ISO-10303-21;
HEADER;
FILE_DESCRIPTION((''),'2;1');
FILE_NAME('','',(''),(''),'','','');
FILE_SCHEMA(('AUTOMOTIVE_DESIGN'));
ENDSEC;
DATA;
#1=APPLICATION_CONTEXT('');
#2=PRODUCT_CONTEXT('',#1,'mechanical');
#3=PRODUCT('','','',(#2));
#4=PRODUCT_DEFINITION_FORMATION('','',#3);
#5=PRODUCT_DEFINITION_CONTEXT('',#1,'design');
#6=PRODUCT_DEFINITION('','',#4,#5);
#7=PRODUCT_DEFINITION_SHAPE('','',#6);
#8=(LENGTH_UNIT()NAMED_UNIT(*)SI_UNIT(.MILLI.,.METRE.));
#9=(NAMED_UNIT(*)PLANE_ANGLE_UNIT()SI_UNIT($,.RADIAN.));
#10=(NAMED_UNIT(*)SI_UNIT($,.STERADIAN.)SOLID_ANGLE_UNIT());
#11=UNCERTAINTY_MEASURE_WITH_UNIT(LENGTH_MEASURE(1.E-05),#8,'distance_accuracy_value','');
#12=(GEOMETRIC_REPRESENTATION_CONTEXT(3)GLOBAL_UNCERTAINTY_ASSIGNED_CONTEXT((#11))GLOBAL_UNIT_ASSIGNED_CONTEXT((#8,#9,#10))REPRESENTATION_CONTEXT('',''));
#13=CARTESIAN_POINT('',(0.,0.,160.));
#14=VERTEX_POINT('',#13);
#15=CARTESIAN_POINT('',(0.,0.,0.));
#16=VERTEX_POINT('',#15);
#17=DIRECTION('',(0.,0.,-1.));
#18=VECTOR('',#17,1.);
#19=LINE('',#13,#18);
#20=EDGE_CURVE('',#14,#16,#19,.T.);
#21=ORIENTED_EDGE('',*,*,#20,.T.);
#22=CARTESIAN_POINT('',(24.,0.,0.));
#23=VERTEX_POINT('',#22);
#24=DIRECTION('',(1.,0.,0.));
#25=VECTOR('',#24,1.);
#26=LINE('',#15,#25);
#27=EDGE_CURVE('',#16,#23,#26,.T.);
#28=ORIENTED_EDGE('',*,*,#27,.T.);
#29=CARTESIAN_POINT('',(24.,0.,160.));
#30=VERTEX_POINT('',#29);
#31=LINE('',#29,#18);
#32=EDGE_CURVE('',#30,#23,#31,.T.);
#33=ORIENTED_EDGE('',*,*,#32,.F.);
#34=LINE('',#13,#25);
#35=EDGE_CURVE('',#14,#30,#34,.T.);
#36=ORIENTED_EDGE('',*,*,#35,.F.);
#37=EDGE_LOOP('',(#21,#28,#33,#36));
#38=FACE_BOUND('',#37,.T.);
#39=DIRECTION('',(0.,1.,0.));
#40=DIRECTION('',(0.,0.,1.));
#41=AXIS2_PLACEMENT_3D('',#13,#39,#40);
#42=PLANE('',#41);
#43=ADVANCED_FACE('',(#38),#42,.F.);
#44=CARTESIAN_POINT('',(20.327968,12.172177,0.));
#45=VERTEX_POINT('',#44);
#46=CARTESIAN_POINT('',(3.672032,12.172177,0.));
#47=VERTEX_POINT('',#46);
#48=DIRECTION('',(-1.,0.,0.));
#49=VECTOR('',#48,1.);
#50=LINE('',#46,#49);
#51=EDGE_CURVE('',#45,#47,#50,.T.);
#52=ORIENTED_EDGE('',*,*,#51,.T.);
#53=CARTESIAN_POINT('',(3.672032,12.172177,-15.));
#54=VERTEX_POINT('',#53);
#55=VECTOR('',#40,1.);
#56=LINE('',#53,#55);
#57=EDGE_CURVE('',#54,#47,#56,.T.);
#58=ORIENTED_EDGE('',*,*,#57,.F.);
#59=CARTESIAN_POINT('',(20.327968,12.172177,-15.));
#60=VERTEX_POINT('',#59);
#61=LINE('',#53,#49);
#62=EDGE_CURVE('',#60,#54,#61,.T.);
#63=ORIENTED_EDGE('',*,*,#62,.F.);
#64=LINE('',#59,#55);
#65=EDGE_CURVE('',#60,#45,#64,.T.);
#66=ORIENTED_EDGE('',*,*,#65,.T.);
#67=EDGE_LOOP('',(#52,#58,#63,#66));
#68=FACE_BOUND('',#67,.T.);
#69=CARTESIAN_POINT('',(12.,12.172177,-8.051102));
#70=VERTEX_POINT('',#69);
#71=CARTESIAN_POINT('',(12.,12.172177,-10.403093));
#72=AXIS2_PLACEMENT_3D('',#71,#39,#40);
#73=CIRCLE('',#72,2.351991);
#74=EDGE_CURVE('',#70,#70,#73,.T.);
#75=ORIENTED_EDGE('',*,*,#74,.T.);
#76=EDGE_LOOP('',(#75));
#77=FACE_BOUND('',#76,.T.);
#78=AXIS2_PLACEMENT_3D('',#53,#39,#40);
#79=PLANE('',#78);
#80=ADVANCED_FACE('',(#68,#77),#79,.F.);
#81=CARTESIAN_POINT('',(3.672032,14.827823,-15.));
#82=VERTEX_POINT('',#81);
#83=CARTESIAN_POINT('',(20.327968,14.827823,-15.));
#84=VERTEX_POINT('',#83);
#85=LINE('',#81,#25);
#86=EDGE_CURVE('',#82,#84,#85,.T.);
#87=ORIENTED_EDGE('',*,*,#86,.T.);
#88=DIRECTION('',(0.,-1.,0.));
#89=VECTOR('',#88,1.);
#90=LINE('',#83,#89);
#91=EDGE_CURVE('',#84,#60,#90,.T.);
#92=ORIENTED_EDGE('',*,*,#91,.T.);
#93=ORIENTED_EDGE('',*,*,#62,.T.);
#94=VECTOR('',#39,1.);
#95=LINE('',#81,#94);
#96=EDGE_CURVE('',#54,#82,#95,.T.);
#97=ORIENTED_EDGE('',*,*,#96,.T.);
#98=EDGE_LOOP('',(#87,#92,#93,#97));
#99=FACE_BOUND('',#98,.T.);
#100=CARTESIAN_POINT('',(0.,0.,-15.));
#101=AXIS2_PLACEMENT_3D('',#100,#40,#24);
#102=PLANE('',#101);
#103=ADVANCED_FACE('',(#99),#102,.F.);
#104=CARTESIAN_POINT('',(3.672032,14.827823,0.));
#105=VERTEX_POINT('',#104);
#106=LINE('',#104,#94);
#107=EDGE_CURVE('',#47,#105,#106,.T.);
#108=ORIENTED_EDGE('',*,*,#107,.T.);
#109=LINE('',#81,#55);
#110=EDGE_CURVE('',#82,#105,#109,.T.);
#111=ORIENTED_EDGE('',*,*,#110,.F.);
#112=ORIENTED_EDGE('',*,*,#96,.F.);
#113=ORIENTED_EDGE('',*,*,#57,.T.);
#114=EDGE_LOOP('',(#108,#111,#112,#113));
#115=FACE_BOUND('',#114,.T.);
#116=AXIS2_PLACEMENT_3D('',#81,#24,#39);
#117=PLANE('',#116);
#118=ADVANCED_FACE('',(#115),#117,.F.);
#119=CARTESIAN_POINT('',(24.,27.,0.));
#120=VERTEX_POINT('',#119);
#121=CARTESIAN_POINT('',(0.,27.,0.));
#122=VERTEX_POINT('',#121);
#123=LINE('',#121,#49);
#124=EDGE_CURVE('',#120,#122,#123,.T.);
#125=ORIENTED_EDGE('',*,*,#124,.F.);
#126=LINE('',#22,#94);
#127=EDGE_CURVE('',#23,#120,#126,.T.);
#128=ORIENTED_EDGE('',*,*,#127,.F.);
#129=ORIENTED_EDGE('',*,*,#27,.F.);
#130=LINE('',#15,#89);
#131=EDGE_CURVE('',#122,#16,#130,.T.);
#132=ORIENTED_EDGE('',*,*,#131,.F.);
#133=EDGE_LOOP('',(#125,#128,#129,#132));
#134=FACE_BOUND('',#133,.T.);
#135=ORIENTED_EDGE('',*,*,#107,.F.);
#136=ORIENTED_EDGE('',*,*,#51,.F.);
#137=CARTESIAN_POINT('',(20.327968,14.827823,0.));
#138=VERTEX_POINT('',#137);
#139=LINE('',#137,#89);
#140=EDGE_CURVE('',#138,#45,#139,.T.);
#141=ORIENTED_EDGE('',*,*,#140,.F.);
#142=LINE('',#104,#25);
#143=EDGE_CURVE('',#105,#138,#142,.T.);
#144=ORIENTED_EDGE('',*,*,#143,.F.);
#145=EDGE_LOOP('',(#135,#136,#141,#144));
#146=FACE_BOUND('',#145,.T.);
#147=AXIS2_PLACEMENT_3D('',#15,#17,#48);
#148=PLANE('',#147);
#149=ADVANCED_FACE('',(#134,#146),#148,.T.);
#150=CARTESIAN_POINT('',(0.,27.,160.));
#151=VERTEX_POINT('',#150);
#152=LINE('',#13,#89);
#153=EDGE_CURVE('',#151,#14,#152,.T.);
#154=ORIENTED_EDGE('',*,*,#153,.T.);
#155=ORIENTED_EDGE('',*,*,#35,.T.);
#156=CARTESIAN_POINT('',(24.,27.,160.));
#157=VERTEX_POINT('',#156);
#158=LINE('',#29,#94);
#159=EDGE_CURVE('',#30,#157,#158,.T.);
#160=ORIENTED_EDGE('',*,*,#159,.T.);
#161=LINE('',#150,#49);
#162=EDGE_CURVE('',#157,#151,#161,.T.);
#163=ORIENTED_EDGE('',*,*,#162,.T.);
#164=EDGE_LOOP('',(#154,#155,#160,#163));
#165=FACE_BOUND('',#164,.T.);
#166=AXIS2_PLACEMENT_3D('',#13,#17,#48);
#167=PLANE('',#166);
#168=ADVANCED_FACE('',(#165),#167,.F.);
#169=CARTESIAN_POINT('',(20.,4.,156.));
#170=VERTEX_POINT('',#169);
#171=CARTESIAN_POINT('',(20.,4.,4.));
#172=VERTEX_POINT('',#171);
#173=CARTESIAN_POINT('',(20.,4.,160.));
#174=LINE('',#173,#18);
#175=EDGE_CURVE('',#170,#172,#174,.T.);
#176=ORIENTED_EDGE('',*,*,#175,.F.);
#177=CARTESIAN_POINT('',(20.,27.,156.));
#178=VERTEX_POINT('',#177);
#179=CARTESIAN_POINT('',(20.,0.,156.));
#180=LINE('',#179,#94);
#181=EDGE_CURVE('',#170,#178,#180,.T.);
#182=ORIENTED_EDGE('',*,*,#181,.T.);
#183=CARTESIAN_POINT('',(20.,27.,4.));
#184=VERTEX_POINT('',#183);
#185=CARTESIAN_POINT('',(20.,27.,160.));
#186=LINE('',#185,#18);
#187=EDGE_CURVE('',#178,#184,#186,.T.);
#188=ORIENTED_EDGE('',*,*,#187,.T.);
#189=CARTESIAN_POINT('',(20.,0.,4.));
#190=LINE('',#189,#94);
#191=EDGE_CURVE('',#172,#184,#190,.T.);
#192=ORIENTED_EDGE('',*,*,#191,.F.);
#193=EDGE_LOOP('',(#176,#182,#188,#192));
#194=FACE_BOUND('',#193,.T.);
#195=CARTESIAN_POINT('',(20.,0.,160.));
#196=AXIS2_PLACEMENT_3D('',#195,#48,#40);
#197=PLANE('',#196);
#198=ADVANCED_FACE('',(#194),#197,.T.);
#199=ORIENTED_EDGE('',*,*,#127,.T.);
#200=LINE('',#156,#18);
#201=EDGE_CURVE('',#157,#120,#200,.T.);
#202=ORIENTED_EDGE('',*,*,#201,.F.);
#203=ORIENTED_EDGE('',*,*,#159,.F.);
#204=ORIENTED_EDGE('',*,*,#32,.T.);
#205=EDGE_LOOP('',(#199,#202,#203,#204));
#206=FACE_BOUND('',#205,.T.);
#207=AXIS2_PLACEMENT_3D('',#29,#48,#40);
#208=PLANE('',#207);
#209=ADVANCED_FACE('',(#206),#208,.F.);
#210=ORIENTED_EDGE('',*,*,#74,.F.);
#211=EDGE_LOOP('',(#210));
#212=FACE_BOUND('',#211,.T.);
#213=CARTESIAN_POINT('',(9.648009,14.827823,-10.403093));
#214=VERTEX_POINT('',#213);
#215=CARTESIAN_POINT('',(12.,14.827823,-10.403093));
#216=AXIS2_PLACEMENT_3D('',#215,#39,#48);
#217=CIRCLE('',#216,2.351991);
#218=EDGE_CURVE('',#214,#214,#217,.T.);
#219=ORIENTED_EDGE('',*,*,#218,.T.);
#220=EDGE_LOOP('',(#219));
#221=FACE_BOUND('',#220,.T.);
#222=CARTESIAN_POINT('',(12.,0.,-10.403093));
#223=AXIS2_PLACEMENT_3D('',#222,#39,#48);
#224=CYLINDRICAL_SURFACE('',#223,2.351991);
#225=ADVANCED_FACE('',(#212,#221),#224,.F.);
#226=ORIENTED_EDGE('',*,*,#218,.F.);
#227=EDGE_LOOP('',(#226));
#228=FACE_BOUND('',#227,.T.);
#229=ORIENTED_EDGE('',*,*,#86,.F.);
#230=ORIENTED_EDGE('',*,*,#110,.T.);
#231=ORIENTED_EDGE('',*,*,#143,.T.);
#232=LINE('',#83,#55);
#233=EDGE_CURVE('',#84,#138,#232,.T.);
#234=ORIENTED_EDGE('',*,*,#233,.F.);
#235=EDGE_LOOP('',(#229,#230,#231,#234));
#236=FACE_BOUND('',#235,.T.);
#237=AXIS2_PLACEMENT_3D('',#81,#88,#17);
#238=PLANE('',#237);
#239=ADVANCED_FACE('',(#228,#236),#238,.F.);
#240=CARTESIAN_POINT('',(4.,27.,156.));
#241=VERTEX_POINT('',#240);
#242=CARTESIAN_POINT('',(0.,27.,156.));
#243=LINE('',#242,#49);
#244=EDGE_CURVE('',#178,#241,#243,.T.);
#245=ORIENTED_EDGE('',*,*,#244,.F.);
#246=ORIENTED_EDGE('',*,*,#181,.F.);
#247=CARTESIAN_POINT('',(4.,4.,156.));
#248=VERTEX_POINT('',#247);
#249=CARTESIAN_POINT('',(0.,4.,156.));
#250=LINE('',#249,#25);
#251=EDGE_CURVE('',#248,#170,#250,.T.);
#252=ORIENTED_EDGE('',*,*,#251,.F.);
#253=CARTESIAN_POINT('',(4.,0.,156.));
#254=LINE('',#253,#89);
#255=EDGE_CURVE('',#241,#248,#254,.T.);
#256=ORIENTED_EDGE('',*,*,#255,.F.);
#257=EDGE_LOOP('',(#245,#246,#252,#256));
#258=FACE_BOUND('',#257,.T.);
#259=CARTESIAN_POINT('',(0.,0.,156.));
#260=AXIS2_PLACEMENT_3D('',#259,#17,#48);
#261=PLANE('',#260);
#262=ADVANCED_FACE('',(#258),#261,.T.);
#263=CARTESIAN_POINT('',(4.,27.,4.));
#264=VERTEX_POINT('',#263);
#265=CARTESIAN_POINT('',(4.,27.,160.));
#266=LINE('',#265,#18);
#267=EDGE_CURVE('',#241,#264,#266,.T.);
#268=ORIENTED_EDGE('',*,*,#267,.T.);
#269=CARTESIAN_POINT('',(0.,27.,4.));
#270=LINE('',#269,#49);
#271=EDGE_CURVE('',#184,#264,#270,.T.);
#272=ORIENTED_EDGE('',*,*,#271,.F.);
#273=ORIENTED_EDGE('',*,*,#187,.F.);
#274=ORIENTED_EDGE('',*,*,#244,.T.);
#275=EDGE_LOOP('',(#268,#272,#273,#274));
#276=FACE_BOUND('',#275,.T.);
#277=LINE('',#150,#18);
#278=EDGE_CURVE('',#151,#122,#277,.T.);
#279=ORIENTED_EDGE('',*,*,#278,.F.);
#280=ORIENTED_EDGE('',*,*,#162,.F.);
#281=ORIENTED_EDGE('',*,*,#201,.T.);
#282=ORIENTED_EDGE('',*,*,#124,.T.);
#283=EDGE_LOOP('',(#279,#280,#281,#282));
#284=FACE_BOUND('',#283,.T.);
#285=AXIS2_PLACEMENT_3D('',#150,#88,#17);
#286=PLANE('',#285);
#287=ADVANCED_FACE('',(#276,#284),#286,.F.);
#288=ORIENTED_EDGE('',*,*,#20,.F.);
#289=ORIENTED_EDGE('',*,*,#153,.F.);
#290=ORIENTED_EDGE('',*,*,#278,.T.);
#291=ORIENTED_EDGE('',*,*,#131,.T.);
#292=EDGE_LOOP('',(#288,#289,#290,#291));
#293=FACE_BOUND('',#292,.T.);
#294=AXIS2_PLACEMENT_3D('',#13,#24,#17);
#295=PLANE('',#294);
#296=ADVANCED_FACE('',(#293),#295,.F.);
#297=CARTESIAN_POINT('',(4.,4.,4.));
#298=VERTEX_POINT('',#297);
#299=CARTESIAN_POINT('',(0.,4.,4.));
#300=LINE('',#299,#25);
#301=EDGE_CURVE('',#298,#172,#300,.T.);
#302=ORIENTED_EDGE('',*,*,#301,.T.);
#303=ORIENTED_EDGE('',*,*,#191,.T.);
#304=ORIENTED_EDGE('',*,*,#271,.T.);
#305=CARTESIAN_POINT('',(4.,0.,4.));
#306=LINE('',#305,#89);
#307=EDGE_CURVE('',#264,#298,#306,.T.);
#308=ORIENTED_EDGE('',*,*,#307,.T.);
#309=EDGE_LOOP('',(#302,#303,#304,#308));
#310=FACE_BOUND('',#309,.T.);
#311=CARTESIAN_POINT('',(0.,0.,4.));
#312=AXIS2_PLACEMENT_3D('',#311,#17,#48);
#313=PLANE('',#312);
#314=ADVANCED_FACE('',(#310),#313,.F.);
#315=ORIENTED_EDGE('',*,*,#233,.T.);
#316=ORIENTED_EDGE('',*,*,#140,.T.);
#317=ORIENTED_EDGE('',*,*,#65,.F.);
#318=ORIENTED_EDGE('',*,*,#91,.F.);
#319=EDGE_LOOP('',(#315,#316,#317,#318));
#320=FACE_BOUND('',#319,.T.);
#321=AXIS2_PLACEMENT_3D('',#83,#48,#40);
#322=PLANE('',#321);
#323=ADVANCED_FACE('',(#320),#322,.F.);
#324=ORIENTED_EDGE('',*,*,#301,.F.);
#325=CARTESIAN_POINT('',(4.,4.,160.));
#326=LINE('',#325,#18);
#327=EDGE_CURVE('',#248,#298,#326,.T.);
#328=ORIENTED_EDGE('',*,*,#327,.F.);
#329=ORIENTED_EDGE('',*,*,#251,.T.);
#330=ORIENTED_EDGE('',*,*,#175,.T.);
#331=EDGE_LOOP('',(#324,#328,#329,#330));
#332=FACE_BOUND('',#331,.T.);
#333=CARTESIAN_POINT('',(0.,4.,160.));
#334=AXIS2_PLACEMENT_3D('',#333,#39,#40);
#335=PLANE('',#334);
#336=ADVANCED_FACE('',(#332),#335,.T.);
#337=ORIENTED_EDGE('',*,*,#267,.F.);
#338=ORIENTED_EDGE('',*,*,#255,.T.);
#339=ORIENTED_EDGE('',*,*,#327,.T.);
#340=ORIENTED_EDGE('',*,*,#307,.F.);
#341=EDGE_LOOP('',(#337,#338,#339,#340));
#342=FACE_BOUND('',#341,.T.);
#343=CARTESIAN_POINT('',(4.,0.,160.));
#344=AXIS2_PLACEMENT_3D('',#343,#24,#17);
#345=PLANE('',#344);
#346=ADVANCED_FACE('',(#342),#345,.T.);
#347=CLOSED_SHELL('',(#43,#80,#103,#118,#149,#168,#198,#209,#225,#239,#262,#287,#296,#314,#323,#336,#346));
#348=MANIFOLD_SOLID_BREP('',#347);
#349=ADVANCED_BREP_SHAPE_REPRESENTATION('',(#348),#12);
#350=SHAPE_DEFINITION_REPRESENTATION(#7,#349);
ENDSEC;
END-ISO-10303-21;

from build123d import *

# Parameters (mm, degrees)
SKETCH1_W           = 24
SKETCH1_H           = 27
BOSS_EXTRUDE1_DEPTH = 160
SHELL1_T            = -4
SKETCH2_W           = 16.655936622
SKETCH2_H           = 2.65564638
BOSS_EXTRUDE2_DEPTH = 15
SKETCH3_R           = 2.351991257
CUT_EXTRUDE1_DEPTH  = 15.82782319


with BuildPart() as part:
    # Sketch1 → Boss-Extrude1 (new body)
    with BuildSketch(Plane.XY):
        with Locations((12, 13.5)):
            Rectangle(SKETCH1_W, SKETCH1_H)
    extrude(amount=BOSS_EXTRUDE1_DEPTH)

    # Shell1
    shell1_openings = [part.faces().sort_by_distance(p)[0] for p in [
        (12, 27, 80),
    ]]
    offset(amount=SHELL1_T, openings=shell1_openings, kind=Kind.INTERSECTION)

    # Sketch2 → Boss-Extrude2 (add)
    with BuildSketch(Plane(origin=(0, 0, 0), x_dir=(-1, 0, 0), z_dir=(0, 0, -1))):
        with Locations((-12, 13.5)):
            Rectangle(SKETCH2_W, SKETCH2_H)
    extrude(amount=BOSS_EXTRUDE2_DEPTH)

    # Sketch3 → Cut-Extrude1 (cut, through all)
    with BuildSketch(Plane(origin=(0, 14.82782319, 0), x_dir=(1, 0, 0), z_dir=(0, 1, 0))):
        with Locations((12, 10.403093439)):
            Circle(SKETCH3_R)
    extrude(amount=-CUT_EXTRUDE1_DEPTH, mode=Mode.SUBTRACT)


solid = part.part
